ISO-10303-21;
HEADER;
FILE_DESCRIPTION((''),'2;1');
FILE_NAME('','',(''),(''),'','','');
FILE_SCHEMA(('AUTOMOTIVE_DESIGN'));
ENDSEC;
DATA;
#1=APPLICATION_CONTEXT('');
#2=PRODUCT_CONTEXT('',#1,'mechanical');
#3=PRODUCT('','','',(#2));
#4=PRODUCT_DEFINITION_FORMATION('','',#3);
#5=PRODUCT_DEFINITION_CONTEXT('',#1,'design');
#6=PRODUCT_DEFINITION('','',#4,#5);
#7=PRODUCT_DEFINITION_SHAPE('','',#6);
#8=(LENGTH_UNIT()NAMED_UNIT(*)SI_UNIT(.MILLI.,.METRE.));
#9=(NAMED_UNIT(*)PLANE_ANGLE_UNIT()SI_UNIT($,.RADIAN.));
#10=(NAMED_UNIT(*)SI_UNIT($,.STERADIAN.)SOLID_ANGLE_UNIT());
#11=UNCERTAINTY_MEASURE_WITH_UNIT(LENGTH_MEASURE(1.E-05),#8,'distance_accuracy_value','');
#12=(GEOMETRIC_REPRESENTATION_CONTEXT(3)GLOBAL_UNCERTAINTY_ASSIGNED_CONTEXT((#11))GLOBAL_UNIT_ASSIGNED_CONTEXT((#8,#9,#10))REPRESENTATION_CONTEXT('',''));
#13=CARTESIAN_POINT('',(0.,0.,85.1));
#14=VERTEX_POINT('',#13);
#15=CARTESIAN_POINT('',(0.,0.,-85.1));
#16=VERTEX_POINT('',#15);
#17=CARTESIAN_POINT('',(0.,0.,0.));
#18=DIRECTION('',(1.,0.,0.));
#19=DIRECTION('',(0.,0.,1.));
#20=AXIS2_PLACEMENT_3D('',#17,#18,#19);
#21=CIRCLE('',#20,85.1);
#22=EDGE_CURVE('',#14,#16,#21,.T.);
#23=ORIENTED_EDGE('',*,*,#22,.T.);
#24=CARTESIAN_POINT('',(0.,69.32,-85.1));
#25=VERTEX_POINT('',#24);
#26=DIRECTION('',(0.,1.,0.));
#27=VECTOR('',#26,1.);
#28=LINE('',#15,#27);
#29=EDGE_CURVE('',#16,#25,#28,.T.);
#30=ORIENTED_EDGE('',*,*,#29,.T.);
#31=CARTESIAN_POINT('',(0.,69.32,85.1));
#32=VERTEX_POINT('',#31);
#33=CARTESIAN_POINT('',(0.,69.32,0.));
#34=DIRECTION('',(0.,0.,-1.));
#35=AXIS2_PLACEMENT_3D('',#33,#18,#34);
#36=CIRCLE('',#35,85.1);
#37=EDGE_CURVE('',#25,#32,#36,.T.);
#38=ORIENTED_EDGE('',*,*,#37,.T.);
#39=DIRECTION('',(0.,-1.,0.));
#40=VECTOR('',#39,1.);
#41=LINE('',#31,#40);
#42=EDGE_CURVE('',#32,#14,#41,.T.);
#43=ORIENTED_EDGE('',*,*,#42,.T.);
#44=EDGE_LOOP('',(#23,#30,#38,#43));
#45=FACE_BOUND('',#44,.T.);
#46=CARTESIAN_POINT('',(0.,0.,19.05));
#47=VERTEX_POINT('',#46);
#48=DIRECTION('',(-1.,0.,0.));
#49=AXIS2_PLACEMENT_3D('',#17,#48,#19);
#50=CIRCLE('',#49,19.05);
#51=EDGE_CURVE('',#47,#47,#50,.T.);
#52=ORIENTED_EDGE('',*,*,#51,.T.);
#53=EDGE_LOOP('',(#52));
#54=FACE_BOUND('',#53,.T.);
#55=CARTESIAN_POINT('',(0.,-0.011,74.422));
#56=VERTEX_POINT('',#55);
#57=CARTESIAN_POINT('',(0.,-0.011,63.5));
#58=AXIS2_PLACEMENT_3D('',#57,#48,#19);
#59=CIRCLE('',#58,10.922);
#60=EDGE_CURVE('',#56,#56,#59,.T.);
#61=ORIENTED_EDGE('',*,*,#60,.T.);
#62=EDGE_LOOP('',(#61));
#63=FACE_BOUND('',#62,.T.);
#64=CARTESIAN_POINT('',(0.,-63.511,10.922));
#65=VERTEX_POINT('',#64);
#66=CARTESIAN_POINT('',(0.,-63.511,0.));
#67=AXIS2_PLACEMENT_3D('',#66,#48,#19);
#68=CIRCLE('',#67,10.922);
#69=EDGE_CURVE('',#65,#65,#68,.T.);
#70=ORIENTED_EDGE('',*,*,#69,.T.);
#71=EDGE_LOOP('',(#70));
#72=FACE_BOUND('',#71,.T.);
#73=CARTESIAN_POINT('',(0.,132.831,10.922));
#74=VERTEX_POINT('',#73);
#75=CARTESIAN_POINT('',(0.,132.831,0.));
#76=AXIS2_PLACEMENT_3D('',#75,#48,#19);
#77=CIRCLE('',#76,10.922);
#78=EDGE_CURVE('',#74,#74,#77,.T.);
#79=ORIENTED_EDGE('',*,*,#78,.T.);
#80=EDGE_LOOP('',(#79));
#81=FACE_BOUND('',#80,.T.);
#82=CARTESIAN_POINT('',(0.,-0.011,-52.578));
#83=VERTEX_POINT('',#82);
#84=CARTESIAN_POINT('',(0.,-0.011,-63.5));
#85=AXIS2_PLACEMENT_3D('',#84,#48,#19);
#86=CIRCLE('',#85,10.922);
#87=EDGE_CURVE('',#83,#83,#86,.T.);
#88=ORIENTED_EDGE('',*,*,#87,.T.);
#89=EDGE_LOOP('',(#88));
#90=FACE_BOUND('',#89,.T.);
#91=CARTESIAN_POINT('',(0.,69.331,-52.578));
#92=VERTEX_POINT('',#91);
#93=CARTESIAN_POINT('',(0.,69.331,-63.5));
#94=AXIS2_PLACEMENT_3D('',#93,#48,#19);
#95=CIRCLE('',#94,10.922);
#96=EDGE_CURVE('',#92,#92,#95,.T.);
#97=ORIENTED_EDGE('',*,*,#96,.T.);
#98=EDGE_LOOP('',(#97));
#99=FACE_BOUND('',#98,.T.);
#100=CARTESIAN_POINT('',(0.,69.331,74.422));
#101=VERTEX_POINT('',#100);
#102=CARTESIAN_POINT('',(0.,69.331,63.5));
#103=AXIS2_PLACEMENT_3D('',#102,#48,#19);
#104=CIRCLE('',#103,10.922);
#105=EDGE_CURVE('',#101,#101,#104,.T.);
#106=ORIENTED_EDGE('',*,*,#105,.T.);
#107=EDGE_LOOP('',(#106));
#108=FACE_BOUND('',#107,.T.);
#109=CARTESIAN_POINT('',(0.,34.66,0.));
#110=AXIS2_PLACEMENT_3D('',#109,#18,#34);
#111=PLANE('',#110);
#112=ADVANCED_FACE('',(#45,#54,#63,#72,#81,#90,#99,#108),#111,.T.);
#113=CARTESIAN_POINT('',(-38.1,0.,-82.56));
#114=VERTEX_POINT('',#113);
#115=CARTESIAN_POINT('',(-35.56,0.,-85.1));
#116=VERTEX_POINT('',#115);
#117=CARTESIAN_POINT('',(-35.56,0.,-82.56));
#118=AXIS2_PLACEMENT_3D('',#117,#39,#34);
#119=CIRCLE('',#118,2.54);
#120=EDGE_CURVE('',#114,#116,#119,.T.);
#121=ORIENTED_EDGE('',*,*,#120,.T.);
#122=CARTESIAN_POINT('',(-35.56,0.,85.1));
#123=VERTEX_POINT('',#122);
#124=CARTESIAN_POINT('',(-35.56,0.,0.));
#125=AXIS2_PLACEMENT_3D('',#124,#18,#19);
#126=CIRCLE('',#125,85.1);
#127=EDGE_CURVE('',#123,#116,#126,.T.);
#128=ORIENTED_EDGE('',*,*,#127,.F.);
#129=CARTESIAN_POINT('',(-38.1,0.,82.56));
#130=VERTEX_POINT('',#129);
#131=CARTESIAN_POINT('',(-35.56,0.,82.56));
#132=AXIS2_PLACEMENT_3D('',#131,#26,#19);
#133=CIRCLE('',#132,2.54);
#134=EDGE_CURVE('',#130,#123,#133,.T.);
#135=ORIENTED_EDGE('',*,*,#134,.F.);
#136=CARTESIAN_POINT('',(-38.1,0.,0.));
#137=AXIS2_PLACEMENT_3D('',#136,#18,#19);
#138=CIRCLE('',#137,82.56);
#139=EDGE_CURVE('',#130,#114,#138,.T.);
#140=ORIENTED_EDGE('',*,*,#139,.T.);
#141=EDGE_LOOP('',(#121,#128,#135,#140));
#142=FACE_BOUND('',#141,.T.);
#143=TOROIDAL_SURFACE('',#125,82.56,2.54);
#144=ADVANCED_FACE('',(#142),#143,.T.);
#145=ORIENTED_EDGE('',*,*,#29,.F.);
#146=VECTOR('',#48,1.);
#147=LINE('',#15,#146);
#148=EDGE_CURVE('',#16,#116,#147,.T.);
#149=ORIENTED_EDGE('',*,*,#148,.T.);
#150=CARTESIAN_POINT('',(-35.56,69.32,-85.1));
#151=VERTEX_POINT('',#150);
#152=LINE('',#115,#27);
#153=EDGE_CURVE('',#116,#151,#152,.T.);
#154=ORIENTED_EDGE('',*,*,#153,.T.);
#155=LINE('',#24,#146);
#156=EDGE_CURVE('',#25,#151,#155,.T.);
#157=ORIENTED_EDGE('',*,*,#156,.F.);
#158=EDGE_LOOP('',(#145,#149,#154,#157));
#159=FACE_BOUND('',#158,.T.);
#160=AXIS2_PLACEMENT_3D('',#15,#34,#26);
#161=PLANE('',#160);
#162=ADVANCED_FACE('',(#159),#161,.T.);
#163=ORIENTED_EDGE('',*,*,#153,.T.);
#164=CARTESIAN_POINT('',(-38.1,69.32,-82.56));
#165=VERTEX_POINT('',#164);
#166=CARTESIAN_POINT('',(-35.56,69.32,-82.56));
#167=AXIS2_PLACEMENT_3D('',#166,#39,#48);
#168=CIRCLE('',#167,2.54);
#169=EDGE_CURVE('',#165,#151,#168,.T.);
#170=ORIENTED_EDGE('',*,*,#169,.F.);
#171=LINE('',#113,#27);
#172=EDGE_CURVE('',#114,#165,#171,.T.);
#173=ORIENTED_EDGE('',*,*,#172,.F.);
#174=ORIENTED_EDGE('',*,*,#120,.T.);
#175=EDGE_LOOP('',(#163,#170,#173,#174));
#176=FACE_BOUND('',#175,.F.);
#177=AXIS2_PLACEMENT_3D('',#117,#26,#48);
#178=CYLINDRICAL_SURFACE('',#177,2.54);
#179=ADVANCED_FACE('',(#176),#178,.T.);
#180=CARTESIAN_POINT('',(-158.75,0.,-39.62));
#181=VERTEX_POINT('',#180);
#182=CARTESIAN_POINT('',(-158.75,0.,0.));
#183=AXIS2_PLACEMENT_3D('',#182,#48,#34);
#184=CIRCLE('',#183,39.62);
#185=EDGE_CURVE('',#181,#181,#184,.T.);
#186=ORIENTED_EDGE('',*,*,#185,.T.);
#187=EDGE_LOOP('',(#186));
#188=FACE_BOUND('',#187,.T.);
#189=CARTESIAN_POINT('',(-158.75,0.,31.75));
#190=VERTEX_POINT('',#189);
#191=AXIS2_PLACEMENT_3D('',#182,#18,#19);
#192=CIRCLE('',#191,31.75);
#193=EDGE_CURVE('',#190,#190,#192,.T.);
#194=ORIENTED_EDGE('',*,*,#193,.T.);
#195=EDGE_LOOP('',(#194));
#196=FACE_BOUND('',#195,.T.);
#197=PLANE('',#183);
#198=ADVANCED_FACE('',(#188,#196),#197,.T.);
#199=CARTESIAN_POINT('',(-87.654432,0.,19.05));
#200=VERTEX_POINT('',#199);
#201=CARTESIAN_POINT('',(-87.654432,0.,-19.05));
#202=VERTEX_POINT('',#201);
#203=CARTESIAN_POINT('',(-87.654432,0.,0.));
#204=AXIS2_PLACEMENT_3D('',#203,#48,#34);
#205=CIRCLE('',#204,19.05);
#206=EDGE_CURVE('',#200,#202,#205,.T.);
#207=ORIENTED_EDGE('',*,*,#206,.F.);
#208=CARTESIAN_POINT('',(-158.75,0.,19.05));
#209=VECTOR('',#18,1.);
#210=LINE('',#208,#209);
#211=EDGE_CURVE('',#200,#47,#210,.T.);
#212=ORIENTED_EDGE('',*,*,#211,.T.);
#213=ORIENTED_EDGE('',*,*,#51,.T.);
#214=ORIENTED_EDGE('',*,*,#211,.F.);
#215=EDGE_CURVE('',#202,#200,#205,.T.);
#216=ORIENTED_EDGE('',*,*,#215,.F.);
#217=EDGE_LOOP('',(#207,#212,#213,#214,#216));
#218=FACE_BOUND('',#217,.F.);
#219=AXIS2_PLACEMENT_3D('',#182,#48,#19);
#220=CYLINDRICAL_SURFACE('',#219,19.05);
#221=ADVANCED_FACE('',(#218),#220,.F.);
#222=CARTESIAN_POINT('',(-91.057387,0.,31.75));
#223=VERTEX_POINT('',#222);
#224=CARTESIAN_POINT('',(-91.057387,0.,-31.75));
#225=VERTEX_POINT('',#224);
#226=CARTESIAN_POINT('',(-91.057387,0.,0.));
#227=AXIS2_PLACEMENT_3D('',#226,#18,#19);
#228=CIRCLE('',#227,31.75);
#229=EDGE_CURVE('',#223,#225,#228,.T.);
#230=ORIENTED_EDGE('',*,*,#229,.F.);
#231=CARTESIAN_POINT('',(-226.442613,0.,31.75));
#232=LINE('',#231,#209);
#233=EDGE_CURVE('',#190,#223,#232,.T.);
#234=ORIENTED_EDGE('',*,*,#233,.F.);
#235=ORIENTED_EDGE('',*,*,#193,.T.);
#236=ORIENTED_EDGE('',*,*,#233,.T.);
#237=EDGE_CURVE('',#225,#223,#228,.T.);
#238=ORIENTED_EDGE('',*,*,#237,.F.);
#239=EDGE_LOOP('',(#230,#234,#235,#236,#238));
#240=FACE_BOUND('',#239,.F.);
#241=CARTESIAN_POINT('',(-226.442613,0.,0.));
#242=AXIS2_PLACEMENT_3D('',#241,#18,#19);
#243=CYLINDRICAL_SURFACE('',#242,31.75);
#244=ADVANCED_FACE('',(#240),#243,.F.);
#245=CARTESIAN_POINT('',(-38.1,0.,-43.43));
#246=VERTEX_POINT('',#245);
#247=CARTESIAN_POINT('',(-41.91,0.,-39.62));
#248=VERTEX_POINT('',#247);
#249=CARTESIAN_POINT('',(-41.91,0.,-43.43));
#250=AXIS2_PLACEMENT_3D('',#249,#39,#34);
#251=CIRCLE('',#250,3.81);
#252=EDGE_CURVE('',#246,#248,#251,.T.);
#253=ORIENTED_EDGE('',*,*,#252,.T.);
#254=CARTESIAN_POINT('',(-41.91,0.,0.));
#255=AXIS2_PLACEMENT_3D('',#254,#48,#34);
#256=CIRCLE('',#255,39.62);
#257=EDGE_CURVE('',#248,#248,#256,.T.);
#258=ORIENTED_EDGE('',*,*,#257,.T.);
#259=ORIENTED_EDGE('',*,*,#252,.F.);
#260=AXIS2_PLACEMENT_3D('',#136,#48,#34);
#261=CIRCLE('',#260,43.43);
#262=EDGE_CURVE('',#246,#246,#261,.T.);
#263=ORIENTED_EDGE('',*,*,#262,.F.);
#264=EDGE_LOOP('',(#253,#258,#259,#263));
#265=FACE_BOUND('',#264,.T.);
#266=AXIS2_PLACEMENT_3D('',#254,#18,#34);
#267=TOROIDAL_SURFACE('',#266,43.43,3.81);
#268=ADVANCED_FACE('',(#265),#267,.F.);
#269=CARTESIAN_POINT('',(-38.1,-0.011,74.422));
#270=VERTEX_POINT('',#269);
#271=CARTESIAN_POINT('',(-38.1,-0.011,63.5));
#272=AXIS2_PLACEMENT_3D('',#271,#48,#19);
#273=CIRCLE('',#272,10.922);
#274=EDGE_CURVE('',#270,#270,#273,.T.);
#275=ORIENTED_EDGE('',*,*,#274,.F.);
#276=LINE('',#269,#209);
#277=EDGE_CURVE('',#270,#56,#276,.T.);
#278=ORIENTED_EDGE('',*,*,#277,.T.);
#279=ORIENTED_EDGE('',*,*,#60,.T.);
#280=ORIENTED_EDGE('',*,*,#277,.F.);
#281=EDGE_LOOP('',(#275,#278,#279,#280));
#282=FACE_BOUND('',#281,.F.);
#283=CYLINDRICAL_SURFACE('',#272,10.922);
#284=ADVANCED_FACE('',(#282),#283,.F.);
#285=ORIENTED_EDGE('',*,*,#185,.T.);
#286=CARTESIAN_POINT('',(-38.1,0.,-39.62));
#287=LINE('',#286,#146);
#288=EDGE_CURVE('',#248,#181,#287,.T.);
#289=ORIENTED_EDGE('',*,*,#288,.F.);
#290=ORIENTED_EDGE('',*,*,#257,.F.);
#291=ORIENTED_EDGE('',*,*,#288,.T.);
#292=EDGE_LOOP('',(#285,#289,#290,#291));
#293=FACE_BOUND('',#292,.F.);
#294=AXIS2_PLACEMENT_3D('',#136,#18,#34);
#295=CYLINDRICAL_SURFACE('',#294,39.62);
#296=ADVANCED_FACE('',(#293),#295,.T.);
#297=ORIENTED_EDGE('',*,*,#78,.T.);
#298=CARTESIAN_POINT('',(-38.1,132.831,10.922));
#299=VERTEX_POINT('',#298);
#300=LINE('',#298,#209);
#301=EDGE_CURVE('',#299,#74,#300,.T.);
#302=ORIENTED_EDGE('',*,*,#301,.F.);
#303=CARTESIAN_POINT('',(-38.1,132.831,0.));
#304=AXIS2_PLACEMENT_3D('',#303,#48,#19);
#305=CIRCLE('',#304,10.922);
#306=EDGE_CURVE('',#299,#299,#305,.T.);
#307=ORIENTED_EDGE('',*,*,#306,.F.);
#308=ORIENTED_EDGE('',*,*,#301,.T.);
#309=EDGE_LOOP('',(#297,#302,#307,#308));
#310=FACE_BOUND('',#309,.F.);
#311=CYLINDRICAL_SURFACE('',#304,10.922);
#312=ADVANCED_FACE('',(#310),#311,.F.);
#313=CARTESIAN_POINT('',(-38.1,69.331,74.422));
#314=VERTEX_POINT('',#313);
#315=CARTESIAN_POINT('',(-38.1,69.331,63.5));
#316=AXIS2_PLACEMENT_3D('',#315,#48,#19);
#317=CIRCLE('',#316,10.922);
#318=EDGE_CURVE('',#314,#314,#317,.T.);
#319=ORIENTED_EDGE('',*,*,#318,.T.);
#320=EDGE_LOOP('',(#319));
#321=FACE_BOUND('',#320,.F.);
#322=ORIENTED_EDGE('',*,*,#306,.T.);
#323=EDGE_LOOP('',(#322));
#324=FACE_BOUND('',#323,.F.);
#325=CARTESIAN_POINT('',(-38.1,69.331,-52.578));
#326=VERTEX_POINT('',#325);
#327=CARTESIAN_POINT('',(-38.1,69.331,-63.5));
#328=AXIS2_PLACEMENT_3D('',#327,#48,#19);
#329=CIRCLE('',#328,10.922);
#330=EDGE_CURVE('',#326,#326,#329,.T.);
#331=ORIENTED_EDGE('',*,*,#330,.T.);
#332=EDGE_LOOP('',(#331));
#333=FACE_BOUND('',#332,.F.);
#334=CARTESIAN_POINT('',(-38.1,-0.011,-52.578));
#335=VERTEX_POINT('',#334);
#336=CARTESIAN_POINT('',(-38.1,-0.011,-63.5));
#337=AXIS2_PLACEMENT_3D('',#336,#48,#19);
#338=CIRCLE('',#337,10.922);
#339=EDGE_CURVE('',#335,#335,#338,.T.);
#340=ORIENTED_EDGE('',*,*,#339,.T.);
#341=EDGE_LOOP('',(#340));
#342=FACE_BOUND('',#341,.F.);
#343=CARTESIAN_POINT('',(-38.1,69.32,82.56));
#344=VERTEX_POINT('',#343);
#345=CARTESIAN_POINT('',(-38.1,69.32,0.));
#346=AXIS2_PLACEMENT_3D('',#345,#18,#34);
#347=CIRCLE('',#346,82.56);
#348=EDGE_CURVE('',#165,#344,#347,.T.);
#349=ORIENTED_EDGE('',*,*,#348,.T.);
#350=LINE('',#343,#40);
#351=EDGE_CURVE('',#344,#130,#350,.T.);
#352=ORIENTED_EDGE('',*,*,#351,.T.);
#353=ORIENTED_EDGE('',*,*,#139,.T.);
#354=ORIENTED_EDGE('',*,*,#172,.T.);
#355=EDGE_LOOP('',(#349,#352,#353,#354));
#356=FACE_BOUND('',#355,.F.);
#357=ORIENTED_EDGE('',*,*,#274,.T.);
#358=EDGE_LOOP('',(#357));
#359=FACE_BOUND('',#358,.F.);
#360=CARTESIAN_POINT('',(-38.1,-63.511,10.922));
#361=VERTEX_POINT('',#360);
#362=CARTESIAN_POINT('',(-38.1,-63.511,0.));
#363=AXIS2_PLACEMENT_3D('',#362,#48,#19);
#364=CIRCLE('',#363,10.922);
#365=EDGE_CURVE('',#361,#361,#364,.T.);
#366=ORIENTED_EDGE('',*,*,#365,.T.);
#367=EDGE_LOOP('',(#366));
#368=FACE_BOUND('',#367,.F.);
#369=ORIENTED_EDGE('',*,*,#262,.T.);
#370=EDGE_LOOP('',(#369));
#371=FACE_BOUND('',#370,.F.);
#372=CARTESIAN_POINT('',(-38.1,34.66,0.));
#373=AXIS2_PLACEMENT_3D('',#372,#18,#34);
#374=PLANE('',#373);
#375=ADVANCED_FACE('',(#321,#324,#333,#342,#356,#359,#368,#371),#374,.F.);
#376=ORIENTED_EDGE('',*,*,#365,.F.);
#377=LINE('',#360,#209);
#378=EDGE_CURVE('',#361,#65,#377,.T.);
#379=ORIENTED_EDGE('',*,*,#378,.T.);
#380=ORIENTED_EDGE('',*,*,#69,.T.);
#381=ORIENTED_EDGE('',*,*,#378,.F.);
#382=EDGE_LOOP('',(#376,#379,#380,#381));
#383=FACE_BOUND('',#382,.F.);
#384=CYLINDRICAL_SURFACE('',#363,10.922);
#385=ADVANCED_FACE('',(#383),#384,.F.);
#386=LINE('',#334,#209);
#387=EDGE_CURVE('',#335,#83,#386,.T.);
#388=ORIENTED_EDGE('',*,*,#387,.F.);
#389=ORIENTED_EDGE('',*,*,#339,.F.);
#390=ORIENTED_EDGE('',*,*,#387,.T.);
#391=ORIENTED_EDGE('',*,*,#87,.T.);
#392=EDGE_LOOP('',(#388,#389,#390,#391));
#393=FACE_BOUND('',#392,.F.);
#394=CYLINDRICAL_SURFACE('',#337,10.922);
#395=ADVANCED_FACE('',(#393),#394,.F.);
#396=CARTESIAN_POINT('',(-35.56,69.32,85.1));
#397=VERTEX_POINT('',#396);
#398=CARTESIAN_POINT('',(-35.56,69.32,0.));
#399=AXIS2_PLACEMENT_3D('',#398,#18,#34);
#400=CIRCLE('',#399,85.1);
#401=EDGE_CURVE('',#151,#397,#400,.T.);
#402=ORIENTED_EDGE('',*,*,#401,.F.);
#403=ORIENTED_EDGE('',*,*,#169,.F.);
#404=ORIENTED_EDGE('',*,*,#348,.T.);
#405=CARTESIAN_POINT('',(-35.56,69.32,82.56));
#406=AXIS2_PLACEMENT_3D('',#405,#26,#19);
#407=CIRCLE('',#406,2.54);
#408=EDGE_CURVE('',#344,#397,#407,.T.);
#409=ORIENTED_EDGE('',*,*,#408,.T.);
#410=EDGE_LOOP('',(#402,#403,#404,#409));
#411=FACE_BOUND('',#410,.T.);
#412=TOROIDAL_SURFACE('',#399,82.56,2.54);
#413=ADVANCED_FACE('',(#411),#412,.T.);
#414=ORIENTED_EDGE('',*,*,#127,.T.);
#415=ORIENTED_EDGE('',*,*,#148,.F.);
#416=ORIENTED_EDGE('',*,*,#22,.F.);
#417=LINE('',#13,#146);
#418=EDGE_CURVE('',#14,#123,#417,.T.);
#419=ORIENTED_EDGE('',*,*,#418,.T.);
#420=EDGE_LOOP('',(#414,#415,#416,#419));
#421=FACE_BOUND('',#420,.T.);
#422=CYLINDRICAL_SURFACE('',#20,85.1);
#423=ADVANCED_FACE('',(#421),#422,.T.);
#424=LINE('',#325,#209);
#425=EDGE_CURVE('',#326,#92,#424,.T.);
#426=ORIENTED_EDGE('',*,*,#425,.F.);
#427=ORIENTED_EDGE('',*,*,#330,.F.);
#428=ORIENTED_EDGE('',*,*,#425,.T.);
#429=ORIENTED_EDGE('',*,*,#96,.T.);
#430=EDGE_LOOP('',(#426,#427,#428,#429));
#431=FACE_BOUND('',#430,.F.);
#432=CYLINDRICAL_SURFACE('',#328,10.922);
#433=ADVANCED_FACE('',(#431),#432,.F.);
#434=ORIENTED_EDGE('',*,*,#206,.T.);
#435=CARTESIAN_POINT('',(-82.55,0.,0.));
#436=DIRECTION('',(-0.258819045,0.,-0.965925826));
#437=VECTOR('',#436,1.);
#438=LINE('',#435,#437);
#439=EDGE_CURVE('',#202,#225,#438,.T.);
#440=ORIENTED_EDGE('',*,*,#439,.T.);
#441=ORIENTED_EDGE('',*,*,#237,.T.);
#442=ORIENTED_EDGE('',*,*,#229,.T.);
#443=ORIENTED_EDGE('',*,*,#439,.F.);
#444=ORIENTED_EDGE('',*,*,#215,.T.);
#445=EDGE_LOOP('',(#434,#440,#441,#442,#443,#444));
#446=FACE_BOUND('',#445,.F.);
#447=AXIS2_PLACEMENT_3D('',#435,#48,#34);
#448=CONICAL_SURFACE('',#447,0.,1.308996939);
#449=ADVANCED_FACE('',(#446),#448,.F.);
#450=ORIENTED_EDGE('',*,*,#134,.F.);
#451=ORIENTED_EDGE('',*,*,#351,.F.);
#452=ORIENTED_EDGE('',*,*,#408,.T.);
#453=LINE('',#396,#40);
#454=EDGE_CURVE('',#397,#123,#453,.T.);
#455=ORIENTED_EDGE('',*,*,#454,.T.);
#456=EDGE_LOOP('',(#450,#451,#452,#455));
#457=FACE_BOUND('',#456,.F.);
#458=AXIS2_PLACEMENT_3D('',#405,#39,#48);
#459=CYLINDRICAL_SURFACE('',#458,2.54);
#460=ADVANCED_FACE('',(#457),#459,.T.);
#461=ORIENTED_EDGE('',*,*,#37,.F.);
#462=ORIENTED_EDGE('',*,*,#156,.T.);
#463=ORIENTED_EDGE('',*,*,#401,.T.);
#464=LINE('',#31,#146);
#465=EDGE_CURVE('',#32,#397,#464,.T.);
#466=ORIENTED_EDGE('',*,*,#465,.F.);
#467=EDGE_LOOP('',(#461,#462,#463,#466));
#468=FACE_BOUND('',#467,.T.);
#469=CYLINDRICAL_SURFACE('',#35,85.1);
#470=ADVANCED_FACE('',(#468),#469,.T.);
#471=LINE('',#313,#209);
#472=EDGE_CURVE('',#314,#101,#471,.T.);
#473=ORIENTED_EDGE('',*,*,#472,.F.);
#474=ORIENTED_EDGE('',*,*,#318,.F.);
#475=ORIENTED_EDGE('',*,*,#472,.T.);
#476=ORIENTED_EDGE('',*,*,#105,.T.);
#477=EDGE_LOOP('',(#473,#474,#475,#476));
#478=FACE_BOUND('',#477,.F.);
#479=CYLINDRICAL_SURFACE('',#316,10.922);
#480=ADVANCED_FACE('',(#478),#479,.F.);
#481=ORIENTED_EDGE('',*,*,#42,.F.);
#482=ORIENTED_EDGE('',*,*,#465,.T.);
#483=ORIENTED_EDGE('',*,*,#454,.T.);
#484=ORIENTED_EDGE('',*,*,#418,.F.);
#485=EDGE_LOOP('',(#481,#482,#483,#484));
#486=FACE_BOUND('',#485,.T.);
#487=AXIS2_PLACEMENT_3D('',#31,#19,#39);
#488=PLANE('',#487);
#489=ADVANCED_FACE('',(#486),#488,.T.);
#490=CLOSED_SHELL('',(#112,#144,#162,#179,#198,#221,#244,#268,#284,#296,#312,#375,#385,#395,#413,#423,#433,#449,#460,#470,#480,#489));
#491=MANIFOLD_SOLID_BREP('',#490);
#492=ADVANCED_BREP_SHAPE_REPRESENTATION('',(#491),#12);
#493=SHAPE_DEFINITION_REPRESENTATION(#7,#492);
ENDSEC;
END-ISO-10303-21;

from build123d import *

# Parameters (mm, degrees)
BOSS_EXTRUDE1_DEPTH              = 38.1
SKETCH2_R                        = 39.62
BOSS_EXTRUDE2_DEPTH              = 120.65
F_1_16_1_25_DIAMETER_HOLE1_D     = 31.75
F_1_16_1_25_DIAMETER_HOLE1_DEPTH = 71.94630657
F_1_16_1_25_DIAMETER_HOLE1_TIP   = 4.25369343
SKETCH4_R                        = 19.05
CUT_EXTRUDE1_DEPTH               = 238.253258987
FILLET1_R                        = 3.81
SKETCH6_R                        = 10.922
CUT_EXTRUDE2_DEPTH               = 214.644491855
FILLET2_R                        = 2.54
F_1_16_2_5_DIAMETER_HOLE1_D      = 63.5
F_1_16_2_5_DIAMETER_HOLE1_DEPTH  = 67.69261314
F_1_16_2_5_DIAMETER_HOLE1_TIP    = 8.50738686


with BuildPart() as part:
    # Sketch1 → Boss-Extrude1 (new body)
    with BuildSketch(Plane(origin=(0, 0, 0), x_dir=(0, 0, -1), z_dir=(1, 0, 0))):
        with BuildLine():
            Line((-85.1, 69.32), (-85.1, 0))
            ThreePointArc((-85.1, 0), (0, -85.1), (85.1, 0))
            Line((85.1, 0), (85.1, 69.32))
            ThreePointArc((85.1, 69.32), (0, 154.42), (-85.1, 69.32))
        make_face()
    extrude(amount=-BOSS_EXTRUDE1_DEPTH)

    # Sketch2 → Boss-Extrude2 (add)
    with BuildSketch(Plane.ZY.offset(38.1)):
        with Locations(Location((0, 0, 0), (0, 0, 180))):
            Circle(SKETCH2_R)
    extrude(amount=BOSS_EXTRUDE2_DEPTH)

    # 1/16 (1.25) Diameter Hole1
    with Locations(Plane(origin=(-158.75, 0, 0), x_dir=(0, 0, -1), z_dir=(-1, 0, 0))):
        with Locations((0, 0)):
            Hole(F_1_16_1_25_DIAMETER_HOLE1_D / 2, depth=F_1_16_1_25_DIAMETER_HOLE1_DEPTH)
            with Locations((0, 0, -(F_1_16_1_25_DIAMETER_HOLE1_DEPTH + F_1_16_1_25_DIAMETER_HOLE1_TIP / 2))):  # 150° drill point
                Cone(0, F_1_16_1_25_DIAMETER_HOLE1_D / 2, F_1_16_1_25_DIAMETER_HOLE1_TIP, mode=Mode.SUBTRACT)

    # Sketch4 → Cut-Extrude1 (cut, through all)
    with BuildSketch(Plane.ZY.offset(158.75)):
        Circle(SKETCH4_R)
    extrude(amount=-CUT_EXTRUDE1_DEPTH, mode=Mode.SUBTRACT)

    # Fillet1
    fillet1_edges = [part.edges().sort_by_distance(p)[0] for p in [
        (-38.1, 0, 39.62),
    ]]
    fillet(fillet1_edges, radius=FILLET1_R)

    # Sketch6 → Cut-Extrude2 (cut, through all)
    with BuildSketch(Plane.ZY.offset(38.1)):
        with Locations((0, 132.831)):
            Circle(SKETCH6_R)
        with Locations((63.5, 69.331)):
            Circle(SKETCH6_R)
        with Locations((-63.5, 69.331)):
            Circle(SKETCH6_R)
        with Locations((63.5, -0.011)):
            Circle(SKETCH6_R)
        with Locations((0, -63.511)):
            Circle(SKETCH6_R)
        with Locations((-63.5, -0.011)):
            Circle(SKETCH6_R)
    extrude(amount=-CUT_EXTRUDE2_DEPTH, mode=Mode.SUBTRACT)

    # Fillet2
    fillet2_edges = [part.edges().sort_by_distance(p)[0] for p in [
        (-38.1, -85.1, 0),
        (-38.1, 34.66, -85.1),
        (-38.1, 154.42, 0),
        (-38.1, 34.66, 85.1),
    ]]
    fillet(fillet2_edges, radius=FILLET2_R)

    # 1/16 (2.5) Diameter Hole1
    with Locations(Plane(origin=(-158.75, 0, 0), x_dir=(0, 0, -1), z_dir=(-1, 0, 0))):
        with Locations((0, 0)):
            Hole(F_1_16_2_5_DIAMETER_HOLE1_D / 2, depth=F_1_16_2_5_DIAMETER_HOLE1_DEPTH)
            with Locations((0, 0, -(F_1_16_2_5_DIAMETER_HOLE1_DEPTH + F_1_16_2_5_DIAMETER_HOLE1_TIP / 2))):  # 150° drill point
                Cone(0, F_1_16_2_5_DIAMETER_HOLE1_D / 2, F_1_16_2_5_DIAMETER_HOLE1_TIP, mode=Mode.SUBTRACT)


solid = part.part
